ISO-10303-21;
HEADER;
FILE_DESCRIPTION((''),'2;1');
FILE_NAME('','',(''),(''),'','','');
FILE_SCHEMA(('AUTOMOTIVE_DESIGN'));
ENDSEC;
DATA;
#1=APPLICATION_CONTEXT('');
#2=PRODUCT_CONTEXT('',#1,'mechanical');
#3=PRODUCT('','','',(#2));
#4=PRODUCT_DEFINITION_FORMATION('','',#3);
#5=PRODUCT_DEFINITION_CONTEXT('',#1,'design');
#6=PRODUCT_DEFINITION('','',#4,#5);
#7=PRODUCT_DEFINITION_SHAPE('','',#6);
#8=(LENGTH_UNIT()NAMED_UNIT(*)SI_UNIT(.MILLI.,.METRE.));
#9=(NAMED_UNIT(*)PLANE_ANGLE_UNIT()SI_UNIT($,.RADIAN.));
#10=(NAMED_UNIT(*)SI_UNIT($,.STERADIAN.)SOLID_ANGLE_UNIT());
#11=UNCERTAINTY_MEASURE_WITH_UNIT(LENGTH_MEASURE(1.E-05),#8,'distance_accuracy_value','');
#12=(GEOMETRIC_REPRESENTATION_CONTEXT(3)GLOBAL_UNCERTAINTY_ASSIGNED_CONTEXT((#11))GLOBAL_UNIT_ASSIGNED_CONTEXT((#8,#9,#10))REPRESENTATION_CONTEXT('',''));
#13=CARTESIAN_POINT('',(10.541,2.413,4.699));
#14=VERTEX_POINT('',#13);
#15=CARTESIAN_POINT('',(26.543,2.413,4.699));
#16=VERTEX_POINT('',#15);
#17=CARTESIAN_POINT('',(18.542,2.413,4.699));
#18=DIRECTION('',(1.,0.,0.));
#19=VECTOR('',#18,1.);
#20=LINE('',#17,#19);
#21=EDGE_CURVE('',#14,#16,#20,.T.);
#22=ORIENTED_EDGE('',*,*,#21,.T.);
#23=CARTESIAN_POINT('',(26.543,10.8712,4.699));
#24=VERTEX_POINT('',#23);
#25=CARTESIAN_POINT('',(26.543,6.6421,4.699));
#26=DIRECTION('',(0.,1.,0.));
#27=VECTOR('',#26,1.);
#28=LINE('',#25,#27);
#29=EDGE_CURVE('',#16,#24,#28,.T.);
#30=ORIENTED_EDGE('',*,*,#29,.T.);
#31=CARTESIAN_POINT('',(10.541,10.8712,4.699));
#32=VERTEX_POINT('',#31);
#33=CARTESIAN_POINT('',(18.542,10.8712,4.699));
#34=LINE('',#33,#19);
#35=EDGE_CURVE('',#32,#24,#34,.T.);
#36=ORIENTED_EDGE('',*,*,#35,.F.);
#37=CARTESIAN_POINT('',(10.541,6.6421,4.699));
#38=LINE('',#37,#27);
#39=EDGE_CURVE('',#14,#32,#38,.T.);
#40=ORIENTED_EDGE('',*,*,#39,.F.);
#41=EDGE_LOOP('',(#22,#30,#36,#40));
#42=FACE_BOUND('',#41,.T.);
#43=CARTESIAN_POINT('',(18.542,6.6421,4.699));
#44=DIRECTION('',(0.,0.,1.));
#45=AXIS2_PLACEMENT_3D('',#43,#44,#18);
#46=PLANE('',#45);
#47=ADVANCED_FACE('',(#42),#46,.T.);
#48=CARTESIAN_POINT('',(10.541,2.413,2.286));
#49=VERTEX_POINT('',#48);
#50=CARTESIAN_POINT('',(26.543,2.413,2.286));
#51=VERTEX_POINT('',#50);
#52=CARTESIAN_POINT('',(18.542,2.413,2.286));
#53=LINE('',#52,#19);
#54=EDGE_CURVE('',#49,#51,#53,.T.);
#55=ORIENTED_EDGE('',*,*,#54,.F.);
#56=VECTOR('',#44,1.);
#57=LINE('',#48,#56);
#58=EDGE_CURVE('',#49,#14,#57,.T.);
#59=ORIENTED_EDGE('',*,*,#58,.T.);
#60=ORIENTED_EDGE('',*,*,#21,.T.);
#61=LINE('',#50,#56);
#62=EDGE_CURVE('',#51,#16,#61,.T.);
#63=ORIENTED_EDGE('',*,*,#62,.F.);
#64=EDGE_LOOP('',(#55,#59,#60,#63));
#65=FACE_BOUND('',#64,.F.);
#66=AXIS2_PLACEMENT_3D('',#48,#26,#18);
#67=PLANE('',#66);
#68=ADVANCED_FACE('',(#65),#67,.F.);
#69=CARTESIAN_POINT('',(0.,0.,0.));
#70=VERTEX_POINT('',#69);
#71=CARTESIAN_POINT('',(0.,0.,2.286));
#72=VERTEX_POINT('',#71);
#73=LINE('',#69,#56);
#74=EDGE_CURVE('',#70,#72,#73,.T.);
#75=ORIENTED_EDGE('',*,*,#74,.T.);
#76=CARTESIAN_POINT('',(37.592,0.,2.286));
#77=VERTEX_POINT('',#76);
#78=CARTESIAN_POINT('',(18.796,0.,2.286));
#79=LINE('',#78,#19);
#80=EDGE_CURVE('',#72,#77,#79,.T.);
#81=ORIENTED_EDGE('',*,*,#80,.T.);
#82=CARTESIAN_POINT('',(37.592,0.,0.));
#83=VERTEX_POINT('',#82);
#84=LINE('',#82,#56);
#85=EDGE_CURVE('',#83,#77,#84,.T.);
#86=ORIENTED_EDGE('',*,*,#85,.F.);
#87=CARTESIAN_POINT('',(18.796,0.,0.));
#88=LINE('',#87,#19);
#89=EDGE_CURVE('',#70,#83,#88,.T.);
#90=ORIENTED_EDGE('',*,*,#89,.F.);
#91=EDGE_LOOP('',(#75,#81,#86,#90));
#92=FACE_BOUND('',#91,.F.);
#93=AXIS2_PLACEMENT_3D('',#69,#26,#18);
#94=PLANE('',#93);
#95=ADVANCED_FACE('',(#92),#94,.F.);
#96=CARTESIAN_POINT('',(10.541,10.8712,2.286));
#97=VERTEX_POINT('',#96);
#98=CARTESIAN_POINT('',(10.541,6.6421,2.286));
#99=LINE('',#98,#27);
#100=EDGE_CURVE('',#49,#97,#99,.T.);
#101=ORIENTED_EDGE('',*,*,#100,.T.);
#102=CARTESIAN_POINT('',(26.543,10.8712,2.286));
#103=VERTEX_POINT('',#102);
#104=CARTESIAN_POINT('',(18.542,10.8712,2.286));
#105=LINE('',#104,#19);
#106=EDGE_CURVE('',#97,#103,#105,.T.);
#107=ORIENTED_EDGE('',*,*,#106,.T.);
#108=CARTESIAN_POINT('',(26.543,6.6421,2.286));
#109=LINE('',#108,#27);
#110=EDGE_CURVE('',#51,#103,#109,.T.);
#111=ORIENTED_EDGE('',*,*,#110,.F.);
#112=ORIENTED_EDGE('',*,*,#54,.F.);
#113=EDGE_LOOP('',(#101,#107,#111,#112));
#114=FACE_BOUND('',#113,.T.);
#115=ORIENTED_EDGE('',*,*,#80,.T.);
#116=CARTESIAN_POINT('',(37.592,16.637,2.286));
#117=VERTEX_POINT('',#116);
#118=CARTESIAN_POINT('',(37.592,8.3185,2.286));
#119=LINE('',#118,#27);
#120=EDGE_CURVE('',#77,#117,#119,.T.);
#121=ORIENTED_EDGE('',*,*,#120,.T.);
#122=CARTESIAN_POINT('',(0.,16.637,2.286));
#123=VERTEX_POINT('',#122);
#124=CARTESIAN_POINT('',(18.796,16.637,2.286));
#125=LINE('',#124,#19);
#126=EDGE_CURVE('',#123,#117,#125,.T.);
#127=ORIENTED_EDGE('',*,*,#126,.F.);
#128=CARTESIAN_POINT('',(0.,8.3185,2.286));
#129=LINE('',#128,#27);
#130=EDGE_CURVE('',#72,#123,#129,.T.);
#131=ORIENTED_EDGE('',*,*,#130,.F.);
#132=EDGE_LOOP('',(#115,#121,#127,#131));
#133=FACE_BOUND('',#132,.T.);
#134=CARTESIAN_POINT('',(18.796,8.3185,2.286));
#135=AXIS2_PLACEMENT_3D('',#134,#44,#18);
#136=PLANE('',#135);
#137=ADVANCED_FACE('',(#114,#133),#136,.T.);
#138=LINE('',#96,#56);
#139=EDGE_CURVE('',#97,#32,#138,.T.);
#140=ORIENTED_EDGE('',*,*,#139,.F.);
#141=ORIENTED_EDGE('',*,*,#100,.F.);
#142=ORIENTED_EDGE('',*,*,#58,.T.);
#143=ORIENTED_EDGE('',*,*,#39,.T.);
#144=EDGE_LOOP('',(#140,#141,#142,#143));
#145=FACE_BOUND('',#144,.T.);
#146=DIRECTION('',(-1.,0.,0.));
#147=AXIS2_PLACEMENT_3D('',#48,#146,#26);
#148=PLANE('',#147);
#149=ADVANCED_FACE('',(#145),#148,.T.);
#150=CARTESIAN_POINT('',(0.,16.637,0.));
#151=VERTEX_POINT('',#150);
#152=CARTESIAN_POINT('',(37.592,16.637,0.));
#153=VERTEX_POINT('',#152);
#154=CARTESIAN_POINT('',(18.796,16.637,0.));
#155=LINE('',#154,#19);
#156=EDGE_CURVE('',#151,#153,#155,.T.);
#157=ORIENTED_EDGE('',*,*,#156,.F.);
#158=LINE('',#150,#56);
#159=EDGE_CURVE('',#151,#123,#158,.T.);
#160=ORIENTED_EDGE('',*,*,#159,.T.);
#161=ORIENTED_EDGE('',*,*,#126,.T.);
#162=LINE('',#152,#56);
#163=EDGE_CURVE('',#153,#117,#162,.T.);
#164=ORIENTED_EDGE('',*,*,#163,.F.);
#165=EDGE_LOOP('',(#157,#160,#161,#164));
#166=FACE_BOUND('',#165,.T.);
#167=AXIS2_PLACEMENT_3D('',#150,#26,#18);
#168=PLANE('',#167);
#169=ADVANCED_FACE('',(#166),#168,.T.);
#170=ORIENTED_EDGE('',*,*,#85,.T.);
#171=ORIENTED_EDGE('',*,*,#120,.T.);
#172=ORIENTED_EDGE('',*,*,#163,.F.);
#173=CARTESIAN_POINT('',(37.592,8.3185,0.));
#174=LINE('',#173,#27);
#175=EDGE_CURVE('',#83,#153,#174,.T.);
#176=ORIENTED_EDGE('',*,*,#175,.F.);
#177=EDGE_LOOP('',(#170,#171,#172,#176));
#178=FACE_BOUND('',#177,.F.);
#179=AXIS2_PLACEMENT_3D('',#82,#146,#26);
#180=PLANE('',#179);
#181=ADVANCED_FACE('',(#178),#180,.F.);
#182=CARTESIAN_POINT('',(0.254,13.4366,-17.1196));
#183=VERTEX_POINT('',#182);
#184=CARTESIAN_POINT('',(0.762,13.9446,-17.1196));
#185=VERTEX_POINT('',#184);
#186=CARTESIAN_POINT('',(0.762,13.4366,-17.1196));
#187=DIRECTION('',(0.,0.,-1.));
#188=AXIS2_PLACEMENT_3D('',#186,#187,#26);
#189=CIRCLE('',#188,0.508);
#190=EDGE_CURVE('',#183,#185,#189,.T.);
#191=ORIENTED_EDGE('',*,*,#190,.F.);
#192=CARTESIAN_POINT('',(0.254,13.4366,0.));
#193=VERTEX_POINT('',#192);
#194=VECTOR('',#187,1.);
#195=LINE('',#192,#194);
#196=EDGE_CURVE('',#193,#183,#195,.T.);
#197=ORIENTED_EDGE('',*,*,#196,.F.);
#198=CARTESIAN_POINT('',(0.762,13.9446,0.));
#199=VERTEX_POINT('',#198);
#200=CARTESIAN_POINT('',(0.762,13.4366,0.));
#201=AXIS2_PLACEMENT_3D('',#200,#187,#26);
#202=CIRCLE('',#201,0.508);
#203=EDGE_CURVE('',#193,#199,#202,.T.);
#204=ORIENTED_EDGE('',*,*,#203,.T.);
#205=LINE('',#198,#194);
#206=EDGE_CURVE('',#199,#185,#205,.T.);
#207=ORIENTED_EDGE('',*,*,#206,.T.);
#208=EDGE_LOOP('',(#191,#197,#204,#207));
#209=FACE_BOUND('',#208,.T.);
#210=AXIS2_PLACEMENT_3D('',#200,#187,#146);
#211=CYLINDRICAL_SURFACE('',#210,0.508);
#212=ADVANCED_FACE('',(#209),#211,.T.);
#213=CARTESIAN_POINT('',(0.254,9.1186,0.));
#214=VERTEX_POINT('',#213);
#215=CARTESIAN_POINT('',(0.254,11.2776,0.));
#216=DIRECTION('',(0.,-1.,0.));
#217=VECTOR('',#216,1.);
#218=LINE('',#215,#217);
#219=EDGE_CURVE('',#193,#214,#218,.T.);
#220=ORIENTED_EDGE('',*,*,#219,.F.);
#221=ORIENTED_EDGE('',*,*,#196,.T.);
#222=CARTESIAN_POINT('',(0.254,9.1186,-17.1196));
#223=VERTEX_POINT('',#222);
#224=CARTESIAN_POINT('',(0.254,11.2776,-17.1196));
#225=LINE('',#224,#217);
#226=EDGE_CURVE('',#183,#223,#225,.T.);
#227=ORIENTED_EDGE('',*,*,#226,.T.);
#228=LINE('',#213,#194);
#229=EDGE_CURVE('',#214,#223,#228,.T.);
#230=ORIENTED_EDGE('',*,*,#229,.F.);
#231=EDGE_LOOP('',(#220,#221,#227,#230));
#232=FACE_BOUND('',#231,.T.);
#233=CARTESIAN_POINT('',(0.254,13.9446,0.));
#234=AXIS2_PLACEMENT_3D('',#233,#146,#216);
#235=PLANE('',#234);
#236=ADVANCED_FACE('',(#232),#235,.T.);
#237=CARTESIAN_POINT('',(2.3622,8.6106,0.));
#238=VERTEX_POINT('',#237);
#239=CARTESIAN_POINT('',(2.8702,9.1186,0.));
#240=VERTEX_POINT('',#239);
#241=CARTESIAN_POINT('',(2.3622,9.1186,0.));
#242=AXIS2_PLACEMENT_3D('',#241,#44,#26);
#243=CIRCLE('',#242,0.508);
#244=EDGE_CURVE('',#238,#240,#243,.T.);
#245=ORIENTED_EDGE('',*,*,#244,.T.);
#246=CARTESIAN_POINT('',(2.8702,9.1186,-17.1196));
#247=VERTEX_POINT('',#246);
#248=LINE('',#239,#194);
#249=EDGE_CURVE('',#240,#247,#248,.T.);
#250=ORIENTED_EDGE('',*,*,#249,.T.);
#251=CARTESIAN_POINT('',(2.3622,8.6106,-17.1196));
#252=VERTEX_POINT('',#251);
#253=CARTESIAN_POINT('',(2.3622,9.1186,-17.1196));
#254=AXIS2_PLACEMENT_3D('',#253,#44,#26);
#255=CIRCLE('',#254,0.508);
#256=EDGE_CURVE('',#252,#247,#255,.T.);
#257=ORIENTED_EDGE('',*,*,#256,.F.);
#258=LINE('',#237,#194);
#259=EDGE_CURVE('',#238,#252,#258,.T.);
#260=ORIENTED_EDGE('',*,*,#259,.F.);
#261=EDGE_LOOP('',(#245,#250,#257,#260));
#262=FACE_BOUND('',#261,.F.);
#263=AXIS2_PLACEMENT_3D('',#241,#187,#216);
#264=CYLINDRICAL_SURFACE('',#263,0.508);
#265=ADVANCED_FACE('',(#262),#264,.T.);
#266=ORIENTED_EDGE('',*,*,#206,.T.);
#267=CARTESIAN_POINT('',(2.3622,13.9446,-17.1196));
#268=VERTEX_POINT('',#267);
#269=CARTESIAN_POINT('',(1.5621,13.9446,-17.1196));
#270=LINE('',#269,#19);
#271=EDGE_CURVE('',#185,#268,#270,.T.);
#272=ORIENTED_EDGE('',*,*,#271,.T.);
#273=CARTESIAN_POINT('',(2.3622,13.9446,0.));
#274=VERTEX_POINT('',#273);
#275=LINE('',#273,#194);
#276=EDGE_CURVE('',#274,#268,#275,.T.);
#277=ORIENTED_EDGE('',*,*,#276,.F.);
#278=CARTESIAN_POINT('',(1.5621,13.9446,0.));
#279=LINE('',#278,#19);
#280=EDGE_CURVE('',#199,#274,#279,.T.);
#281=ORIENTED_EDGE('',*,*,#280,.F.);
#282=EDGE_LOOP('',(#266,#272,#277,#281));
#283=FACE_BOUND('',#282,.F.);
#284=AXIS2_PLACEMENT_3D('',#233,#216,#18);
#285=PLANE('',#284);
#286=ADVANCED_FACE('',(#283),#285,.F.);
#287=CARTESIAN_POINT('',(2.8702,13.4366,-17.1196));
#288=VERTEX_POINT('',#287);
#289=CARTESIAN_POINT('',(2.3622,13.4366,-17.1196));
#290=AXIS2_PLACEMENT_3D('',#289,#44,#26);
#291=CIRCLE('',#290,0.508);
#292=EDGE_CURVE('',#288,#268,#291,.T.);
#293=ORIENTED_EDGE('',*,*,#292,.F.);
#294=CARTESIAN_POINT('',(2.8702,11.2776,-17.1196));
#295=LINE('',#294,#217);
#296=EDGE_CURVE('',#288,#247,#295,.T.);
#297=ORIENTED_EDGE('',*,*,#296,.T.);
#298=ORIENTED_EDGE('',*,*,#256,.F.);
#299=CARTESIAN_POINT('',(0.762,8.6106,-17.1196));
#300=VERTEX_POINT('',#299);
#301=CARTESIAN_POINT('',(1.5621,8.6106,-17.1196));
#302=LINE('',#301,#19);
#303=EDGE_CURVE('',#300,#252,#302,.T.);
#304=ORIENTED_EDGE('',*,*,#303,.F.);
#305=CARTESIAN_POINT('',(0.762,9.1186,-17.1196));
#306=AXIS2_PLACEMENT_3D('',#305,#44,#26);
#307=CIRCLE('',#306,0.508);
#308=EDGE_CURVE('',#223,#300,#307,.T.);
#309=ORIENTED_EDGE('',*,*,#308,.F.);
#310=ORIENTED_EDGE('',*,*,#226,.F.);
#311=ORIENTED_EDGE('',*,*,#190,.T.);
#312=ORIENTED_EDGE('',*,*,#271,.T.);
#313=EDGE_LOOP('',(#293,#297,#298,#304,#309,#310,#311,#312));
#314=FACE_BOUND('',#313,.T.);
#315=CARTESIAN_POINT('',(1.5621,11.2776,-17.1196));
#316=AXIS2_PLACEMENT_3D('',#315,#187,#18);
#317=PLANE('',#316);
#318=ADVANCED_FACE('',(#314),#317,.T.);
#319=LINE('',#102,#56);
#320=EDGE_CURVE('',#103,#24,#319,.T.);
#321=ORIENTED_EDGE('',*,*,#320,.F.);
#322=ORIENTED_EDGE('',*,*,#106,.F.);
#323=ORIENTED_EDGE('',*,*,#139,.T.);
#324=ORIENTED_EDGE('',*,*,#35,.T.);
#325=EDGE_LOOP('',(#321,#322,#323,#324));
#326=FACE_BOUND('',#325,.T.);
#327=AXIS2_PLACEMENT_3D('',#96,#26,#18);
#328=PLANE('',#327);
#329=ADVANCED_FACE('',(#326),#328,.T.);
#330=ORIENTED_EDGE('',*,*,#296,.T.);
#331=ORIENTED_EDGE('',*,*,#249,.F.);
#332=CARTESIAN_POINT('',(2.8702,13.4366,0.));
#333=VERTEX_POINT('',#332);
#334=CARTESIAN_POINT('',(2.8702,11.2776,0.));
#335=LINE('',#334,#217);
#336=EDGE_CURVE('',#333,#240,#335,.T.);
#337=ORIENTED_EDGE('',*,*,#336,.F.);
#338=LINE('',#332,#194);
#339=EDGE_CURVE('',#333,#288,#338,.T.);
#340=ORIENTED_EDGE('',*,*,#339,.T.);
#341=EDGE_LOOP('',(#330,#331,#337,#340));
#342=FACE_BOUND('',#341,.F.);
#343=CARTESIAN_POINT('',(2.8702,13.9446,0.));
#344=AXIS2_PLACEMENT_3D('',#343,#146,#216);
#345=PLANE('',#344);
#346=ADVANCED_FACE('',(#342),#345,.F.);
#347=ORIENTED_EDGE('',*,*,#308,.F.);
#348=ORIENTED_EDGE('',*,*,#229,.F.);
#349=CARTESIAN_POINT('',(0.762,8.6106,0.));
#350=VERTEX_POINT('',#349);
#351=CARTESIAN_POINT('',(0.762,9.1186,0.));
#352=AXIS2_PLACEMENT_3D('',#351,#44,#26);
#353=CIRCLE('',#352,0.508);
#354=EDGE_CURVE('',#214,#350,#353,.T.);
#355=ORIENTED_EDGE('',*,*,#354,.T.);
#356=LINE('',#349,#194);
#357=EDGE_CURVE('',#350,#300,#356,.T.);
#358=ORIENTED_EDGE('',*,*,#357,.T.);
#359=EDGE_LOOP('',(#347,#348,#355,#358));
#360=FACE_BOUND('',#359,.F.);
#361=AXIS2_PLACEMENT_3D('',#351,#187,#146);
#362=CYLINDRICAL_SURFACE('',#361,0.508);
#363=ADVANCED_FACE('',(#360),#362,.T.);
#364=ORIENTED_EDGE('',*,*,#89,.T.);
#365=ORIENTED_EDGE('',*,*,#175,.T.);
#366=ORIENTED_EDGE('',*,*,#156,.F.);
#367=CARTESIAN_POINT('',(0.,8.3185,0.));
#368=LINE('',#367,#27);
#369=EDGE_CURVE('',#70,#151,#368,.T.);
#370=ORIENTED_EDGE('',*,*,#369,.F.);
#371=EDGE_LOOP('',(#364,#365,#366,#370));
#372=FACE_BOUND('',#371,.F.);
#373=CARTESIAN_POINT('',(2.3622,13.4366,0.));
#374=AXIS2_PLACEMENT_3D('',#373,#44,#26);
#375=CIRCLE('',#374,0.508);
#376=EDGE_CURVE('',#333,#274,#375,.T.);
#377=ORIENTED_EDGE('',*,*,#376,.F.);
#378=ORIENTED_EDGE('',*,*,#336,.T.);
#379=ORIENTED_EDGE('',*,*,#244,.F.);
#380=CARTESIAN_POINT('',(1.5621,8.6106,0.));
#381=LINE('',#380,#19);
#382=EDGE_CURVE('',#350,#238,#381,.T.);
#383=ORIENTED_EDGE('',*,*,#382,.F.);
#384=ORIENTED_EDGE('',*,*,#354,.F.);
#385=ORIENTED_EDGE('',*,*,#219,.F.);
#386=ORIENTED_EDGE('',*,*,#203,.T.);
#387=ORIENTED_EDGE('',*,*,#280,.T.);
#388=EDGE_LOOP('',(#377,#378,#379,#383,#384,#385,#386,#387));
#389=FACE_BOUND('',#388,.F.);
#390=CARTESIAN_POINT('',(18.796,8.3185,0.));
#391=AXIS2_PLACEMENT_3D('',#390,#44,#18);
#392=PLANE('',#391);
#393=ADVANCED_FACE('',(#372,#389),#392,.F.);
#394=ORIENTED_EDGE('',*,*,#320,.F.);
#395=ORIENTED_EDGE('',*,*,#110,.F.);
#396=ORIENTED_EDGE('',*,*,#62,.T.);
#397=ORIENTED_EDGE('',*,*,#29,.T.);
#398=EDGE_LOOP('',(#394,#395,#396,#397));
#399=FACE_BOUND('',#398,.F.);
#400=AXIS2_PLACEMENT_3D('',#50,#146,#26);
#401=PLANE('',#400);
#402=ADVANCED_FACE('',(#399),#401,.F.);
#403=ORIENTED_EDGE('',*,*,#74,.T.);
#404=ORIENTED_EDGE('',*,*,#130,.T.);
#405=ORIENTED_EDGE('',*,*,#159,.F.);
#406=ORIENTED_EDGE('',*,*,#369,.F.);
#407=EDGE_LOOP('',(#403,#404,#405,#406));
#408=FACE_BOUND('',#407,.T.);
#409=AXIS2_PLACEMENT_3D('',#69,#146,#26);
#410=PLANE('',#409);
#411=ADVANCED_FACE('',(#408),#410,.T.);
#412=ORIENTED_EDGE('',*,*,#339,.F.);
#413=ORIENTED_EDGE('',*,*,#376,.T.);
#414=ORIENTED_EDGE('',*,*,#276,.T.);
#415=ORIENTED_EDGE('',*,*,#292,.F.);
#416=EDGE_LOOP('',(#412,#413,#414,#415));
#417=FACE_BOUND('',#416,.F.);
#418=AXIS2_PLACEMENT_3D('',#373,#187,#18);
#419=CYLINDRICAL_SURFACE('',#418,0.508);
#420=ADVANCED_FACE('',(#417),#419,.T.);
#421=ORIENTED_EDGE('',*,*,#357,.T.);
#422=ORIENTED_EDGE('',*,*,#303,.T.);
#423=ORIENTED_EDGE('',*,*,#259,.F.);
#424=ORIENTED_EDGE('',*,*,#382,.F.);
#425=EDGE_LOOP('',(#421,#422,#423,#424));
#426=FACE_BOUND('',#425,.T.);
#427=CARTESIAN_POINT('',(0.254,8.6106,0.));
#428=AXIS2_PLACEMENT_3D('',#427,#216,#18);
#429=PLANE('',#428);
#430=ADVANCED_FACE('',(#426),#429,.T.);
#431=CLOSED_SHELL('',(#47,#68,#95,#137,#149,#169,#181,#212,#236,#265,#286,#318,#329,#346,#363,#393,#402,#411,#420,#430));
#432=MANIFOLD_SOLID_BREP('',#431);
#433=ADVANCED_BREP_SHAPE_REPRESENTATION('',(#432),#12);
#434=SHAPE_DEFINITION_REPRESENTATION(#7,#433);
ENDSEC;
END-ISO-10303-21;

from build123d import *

# Parameters (mm, degrees)
F0_W     = 37.592
F0_H     = 16.637
F1_DEPTH = 2.286
F2_W     = 16.002
F2_H     = 8.4582
F3_DEPTH = 2.413
F4_W     = 2.6162
F4_H     = 5.334
F5_DEPTH = 17.1196
F6_R     = 0.508


with BuildPart() as f1:
    # F0 (on Top) → F1 (new body)
    with BuildSketch(Plane.XY):
        with Locations((18.796, 8.3185)):
            Rectangle(F0_W, F0_H)
    extrude(amount=F1_DEPTH)

    # F2 (on face) → F3 (join)
    with BuildSketch(Plane.XY.offset(2.286)):
        with Locations((18.542, 6.6421)):
            Rectangle(F2_W, F2_H)
    extrude(amount=F3_DEPTH)

    # F4 (on face) → F5 (join)
    with BuildSketch(Plane(origin=(0, 0, 0), x_dir=(1, 0, 0), z_dir=(0, 0, -1))):
        with Locations((1.5621, -11.2776)):
            Rectangle(F4_W, F4_H)
    extrude(amount=F5_DEPTH)

    # F6
    f6_edges = [f1.edges().sort_by_distance(p)[0] for p in [
        (2.8702, 13.9446, -8.5598),
        (0.254, 13.9446, -8.5598),
        (2.8702, 8.6106, -8.5598),
        (0.254, 8.6106, -8.5598),
    ]]
    fillet(f6_edges, radius=F6_R)


solid = f1.part
